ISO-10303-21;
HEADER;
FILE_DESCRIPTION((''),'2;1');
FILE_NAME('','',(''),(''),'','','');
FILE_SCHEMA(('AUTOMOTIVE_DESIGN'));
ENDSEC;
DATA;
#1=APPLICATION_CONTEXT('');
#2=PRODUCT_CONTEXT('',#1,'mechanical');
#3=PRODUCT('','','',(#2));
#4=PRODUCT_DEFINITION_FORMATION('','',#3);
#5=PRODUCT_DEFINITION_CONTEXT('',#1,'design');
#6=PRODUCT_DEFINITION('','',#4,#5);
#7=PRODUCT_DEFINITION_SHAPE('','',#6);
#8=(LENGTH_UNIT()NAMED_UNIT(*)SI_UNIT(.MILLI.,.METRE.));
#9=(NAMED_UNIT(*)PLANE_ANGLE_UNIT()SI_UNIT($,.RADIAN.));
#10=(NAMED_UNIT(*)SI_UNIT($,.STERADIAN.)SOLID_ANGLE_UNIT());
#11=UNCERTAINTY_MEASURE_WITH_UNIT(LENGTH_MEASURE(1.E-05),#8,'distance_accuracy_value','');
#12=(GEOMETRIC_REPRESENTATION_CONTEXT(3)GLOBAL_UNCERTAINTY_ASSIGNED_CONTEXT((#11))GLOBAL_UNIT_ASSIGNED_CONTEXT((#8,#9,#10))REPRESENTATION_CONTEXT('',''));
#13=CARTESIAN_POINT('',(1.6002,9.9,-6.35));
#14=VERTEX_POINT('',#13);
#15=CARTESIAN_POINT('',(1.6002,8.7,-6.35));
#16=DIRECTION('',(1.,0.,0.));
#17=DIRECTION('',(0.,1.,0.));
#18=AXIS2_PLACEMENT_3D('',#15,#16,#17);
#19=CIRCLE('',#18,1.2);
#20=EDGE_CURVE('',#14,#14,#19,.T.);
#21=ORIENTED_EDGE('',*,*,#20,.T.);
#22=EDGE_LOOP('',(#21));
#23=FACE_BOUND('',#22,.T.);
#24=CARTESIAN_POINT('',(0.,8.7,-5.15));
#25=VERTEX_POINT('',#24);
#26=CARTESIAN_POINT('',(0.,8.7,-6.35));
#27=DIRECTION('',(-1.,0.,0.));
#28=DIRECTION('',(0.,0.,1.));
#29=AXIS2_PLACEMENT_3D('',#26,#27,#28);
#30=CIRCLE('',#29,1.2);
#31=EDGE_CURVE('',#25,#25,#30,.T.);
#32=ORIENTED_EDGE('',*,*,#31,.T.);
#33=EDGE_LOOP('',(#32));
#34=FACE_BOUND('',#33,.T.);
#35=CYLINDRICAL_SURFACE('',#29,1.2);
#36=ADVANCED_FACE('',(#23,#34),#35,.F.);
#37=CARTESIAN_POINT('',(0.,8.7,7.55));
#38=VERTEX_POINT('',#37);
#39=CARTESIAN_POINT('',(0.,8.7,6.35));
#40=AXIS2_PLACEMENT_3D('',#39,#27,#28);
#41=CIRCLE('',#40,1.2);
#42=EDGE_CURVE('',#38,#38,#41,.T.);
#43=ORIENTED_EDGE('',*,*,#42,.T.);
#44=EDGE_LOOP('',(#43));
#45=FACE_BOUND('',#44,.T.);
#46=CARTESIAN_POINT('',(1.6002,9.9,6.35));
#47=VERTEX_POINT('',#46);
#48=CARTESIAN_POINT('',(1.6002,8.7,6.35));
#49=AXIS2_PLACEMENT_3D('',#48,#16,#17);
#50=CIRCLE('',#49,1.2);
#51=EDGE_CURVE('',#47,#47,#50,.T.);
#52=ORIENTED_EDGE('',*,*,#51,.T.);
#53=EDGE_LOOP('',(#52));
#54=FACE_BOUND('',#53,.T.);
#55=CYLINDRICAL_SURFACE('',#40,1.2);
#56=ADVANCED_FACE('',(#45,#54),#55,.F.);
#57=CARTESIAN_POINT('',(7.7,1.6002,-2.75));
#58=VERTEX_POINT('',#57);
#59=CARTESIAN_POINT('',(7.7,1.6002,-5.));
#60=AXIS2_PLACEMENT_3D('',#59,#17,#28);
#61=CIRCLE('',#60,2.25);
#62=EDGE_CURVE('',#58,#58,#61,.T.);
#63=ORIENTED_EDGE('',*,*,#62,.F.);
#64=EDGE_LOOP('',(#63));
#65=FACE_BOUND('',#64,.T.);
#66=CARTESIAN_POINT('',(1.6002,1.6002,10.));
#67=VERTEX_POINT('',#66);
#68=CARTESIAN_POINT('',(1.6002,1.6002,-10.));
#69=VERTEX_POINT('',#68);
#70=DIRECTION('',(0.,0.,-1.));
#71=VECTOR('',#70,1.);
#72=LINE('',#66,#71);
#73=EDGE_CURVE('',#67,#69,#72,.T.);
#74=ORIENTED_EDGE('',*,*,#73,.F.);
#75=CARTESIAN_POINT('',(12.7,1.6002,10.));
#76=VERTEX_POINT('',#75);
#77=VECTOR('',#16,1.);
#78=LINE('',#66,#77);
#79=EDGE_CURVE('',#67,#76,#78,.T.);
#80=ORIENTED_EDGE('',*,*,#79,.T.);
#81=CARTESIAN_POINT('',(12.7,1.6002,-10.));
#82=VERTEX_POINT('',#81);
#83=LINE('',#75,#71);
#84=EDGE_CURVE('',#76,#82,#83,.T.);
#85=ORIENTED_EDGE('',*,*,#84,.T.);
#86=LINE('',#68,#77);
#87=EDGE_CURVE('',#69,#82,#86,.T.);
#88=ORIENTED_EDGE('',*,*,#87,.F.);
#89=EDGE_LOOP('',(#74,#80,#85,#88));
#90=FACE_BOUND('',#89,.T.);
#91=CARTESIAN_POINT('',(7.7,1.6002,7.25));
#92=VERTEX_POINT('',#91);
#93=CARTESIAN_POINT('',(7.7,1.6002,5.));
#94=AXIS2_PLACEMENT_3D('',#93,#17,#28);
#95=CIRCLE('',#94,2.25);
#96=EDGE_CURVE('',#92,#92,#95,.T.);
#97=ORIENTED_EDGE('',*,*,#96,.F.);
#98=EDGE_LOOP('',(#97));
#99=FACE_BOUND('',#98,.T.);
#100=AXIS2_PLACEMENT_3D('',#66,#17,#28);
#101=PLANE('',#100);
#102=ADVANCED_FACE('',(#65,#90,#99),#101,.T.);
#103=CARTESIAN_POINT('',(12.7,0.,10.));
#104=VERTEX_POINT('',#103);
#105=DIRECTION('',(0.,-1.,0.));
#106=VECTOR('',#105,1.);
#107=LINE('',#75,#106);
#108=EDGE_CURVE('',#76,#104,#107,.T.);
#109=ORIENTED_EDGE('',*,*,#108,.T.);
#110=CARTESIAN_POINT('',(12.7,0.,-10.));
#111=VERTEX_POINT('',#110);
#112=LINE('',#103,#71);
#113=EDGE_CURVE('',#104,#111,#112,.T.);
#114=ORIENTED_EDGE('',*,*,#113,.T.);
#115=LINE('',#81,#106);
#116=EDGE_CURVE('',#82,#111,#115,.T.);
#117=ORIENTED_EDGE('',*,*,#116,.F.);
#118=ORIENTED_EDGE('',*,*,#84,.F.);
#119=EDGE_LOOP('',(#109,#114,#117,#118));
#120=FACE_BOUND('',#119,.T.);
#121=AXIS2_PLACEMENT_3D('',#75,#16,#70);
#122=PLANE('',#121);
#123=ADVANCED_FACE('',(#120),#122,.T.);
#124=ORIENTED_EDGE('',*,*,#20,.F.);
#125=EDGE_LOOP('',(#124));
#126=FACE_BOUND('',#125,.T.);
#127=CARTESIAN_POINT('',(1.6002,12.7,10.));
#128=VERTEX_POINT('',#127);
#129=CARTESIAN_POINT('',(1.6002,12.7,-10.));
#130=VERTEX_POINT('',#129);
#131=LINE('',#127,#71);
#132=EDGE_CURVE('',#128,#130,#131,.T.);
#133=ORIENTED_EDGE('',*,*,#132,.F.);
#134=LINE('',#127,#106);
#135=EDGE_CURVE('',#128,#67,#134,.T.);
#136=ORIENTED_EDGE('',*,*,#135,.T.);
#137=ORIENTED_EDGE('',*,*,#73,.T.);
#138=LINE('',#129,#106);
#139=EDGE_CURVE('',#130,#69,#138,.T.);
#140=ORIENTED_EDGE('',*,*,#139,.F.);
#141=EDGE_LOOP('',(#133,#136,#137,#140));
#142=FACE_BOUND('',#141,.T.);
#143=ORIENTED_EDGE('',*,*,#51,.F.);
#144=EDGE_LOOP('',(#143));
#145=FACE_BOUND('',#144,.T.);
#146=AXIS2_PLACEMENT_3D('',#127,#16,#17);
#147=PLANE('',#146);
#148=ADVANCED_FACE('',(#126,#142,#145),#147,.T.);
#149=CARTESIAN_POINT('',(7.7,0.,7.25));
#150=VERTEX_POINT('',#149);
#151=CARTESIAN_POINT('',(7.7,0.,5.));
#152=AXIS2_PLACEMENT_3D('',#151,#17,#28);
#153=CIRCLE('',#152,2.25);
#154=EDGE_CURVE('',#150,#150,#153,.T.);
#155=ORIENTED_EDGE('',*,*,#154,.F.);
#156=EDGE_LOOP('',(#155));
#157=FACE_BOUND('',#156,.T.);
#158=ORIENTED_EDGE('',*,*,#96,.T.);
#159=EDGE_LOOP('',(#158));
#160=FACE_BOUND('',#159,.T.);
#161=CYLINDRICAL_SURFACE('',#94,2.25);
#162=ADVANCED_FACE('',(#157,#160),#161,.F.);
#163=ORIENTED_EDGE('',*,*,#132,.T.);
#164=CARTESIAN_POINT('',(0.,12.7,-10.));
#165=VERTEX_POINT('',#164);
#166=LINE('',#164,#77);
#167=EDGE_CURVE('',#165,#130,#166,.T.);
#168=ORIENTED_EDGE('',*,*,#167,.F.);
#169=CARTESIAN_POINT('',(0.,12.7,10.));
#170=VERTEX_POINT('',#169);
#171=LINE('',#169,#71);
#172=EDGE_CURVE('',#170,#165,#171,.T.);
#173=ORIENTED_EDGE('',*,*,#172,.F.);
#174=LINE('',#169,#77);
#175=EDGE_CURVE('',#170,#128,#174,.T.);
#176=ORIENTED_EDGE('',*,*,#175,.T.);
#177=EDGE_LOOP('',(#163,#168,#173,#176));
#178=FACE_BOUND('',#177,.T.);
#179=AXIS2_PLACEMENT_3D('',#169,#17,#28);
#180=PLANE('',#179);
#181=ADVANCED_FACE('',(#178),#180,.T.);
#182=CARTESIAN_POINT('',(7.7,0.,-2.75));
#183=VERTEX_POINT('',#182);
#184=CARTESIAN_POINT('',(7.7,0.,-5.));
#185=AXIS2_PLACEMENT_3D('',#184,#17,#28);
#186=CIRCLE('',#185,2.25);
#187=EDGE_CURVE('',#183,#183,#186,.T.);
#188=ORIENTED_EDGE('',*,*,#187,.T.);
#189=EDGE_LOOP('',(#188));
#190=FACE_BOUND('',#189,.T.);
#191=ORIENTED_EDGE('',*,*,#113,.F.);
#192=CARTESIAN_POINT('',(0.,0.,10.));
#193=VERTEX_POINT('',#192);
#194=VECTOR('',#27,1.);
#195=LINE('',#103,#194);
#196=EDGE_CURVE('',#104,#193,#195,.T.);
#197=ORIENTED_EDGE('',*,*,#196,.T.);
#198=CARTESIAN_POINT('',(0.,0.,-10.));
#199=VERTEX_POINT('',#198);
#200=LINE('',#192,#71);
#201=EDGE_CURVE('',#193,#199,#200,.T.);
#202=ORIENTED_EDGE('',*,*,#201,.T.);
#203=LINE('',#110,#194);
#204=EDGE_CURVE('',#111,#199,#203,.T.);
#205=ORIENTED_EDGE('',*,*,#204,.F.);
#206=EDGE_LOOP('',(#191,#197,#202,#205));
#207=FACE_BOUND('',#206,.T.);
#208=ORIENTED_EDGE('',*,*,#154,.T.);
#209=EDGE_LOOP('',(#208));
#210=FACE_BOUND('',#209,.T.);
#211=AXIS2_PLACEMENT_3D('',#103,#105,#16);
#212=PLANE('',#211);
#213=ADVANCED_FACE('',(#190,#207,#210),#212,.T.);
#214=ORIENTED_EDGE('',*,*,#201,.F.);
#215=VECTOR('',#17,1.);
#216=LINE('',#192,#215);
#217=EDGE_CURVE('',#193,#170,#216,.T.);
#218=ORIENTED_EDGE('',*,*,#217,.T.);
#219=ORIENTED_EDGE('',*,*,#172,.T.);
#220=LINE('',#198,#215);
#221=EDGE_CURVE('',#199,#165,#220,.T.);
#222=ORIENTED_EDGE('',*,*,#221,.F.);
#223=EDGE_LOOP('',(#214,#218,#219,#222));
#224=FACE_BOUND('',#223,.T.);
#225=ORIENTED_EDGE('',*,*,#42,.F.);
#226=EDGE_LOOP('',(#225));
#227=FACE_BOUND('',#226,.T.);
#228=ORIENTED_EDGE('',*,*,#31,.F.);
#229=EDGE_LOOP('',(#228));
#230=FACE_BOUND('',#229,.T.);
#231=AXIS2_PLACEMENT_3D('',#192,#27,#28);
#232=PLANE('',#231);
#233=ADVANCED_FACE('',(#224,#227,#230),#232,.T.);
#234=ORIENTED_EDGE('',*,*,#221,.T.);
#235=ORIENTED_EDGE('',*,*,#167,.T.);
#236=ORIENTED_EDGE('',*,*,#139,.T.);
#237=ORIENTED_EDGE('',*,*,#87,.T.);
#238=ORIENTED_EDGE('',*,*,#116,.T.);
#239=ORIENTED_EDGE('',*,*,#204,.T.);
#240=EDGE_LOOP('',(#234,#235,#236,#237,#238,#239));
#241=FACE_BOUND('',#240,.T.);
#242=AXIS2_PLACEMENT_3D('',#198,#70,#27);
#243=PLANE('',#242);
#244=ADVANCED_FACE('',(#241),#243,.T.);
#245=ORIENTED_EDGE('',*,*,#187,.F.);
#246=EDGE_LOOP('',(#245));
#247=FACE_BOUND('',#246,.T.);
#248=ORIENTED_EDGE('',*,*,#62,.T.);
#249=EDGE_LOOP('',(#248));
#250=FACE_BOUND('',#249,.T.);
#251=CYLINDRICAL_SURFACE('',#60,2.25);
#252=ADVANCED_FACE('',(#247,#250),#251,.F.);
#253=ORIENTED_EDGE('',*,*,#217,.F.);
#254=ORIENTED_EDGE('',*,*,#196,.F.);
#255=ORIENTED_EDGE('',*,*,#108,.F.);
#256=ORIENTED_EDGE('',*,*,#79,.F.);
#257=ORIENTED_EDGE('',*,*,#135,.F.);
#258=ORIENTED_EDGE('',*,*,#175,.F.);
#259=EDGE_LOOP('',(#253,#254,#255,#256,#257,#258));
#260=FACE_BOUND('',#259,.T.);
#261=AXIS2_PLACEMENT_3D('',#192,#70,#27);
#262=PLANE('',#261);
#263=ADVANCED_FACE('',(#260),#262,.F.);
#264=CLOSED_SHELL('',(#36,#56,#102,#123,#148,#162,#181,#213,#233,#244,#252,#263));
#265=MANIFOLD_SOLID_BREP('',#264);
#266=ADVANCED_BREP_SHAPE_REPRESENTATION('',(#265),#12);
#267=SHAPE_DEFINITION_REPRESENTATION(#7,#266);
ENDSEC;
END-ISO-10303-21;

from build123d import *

# Parameters (mm, degrees)
BOSS_EXTRUDE1_DEPTH  = 10
M4_CLEARANCE_HOLE1_D = 4.5
M2_CLEARANCE_HOLE1_D = 2.4


with BuildPart() as part:
    # Sketch1 → Boss-Extrude1 (new body, symmetric)
    with BuildSketch(Plane.XY):
        Polygon((0, 0), (0, 12.7), (1.6002, 12.7), (1.6002, 1.6002), (12.7, 1.6002), (12.7, 0), align=None)
    extrude(amount=BOSS_EXTRUDE1_DEPTH, both=True)

    # M4 Clearance Hole1 (through all)
    with Locations(Plane(origin=(0, 1.6002, 0), x_dir=(1, 0, 0), z_dir=(0, 1, 0))):
        with Locations((7.7, -5), (7.7, 5)):
            Hole(M4_CLEARANCE_HOLE1_D / 2)

    # M2 Clearance Hole1 (through all)
    with Locations(Plane.ZY):
        with Locations((-6.35, 8.7), (6.35, 8.7)):
            Hole(M2_CLEARANCE_HOLE1_D / 2)


solid = part.part
